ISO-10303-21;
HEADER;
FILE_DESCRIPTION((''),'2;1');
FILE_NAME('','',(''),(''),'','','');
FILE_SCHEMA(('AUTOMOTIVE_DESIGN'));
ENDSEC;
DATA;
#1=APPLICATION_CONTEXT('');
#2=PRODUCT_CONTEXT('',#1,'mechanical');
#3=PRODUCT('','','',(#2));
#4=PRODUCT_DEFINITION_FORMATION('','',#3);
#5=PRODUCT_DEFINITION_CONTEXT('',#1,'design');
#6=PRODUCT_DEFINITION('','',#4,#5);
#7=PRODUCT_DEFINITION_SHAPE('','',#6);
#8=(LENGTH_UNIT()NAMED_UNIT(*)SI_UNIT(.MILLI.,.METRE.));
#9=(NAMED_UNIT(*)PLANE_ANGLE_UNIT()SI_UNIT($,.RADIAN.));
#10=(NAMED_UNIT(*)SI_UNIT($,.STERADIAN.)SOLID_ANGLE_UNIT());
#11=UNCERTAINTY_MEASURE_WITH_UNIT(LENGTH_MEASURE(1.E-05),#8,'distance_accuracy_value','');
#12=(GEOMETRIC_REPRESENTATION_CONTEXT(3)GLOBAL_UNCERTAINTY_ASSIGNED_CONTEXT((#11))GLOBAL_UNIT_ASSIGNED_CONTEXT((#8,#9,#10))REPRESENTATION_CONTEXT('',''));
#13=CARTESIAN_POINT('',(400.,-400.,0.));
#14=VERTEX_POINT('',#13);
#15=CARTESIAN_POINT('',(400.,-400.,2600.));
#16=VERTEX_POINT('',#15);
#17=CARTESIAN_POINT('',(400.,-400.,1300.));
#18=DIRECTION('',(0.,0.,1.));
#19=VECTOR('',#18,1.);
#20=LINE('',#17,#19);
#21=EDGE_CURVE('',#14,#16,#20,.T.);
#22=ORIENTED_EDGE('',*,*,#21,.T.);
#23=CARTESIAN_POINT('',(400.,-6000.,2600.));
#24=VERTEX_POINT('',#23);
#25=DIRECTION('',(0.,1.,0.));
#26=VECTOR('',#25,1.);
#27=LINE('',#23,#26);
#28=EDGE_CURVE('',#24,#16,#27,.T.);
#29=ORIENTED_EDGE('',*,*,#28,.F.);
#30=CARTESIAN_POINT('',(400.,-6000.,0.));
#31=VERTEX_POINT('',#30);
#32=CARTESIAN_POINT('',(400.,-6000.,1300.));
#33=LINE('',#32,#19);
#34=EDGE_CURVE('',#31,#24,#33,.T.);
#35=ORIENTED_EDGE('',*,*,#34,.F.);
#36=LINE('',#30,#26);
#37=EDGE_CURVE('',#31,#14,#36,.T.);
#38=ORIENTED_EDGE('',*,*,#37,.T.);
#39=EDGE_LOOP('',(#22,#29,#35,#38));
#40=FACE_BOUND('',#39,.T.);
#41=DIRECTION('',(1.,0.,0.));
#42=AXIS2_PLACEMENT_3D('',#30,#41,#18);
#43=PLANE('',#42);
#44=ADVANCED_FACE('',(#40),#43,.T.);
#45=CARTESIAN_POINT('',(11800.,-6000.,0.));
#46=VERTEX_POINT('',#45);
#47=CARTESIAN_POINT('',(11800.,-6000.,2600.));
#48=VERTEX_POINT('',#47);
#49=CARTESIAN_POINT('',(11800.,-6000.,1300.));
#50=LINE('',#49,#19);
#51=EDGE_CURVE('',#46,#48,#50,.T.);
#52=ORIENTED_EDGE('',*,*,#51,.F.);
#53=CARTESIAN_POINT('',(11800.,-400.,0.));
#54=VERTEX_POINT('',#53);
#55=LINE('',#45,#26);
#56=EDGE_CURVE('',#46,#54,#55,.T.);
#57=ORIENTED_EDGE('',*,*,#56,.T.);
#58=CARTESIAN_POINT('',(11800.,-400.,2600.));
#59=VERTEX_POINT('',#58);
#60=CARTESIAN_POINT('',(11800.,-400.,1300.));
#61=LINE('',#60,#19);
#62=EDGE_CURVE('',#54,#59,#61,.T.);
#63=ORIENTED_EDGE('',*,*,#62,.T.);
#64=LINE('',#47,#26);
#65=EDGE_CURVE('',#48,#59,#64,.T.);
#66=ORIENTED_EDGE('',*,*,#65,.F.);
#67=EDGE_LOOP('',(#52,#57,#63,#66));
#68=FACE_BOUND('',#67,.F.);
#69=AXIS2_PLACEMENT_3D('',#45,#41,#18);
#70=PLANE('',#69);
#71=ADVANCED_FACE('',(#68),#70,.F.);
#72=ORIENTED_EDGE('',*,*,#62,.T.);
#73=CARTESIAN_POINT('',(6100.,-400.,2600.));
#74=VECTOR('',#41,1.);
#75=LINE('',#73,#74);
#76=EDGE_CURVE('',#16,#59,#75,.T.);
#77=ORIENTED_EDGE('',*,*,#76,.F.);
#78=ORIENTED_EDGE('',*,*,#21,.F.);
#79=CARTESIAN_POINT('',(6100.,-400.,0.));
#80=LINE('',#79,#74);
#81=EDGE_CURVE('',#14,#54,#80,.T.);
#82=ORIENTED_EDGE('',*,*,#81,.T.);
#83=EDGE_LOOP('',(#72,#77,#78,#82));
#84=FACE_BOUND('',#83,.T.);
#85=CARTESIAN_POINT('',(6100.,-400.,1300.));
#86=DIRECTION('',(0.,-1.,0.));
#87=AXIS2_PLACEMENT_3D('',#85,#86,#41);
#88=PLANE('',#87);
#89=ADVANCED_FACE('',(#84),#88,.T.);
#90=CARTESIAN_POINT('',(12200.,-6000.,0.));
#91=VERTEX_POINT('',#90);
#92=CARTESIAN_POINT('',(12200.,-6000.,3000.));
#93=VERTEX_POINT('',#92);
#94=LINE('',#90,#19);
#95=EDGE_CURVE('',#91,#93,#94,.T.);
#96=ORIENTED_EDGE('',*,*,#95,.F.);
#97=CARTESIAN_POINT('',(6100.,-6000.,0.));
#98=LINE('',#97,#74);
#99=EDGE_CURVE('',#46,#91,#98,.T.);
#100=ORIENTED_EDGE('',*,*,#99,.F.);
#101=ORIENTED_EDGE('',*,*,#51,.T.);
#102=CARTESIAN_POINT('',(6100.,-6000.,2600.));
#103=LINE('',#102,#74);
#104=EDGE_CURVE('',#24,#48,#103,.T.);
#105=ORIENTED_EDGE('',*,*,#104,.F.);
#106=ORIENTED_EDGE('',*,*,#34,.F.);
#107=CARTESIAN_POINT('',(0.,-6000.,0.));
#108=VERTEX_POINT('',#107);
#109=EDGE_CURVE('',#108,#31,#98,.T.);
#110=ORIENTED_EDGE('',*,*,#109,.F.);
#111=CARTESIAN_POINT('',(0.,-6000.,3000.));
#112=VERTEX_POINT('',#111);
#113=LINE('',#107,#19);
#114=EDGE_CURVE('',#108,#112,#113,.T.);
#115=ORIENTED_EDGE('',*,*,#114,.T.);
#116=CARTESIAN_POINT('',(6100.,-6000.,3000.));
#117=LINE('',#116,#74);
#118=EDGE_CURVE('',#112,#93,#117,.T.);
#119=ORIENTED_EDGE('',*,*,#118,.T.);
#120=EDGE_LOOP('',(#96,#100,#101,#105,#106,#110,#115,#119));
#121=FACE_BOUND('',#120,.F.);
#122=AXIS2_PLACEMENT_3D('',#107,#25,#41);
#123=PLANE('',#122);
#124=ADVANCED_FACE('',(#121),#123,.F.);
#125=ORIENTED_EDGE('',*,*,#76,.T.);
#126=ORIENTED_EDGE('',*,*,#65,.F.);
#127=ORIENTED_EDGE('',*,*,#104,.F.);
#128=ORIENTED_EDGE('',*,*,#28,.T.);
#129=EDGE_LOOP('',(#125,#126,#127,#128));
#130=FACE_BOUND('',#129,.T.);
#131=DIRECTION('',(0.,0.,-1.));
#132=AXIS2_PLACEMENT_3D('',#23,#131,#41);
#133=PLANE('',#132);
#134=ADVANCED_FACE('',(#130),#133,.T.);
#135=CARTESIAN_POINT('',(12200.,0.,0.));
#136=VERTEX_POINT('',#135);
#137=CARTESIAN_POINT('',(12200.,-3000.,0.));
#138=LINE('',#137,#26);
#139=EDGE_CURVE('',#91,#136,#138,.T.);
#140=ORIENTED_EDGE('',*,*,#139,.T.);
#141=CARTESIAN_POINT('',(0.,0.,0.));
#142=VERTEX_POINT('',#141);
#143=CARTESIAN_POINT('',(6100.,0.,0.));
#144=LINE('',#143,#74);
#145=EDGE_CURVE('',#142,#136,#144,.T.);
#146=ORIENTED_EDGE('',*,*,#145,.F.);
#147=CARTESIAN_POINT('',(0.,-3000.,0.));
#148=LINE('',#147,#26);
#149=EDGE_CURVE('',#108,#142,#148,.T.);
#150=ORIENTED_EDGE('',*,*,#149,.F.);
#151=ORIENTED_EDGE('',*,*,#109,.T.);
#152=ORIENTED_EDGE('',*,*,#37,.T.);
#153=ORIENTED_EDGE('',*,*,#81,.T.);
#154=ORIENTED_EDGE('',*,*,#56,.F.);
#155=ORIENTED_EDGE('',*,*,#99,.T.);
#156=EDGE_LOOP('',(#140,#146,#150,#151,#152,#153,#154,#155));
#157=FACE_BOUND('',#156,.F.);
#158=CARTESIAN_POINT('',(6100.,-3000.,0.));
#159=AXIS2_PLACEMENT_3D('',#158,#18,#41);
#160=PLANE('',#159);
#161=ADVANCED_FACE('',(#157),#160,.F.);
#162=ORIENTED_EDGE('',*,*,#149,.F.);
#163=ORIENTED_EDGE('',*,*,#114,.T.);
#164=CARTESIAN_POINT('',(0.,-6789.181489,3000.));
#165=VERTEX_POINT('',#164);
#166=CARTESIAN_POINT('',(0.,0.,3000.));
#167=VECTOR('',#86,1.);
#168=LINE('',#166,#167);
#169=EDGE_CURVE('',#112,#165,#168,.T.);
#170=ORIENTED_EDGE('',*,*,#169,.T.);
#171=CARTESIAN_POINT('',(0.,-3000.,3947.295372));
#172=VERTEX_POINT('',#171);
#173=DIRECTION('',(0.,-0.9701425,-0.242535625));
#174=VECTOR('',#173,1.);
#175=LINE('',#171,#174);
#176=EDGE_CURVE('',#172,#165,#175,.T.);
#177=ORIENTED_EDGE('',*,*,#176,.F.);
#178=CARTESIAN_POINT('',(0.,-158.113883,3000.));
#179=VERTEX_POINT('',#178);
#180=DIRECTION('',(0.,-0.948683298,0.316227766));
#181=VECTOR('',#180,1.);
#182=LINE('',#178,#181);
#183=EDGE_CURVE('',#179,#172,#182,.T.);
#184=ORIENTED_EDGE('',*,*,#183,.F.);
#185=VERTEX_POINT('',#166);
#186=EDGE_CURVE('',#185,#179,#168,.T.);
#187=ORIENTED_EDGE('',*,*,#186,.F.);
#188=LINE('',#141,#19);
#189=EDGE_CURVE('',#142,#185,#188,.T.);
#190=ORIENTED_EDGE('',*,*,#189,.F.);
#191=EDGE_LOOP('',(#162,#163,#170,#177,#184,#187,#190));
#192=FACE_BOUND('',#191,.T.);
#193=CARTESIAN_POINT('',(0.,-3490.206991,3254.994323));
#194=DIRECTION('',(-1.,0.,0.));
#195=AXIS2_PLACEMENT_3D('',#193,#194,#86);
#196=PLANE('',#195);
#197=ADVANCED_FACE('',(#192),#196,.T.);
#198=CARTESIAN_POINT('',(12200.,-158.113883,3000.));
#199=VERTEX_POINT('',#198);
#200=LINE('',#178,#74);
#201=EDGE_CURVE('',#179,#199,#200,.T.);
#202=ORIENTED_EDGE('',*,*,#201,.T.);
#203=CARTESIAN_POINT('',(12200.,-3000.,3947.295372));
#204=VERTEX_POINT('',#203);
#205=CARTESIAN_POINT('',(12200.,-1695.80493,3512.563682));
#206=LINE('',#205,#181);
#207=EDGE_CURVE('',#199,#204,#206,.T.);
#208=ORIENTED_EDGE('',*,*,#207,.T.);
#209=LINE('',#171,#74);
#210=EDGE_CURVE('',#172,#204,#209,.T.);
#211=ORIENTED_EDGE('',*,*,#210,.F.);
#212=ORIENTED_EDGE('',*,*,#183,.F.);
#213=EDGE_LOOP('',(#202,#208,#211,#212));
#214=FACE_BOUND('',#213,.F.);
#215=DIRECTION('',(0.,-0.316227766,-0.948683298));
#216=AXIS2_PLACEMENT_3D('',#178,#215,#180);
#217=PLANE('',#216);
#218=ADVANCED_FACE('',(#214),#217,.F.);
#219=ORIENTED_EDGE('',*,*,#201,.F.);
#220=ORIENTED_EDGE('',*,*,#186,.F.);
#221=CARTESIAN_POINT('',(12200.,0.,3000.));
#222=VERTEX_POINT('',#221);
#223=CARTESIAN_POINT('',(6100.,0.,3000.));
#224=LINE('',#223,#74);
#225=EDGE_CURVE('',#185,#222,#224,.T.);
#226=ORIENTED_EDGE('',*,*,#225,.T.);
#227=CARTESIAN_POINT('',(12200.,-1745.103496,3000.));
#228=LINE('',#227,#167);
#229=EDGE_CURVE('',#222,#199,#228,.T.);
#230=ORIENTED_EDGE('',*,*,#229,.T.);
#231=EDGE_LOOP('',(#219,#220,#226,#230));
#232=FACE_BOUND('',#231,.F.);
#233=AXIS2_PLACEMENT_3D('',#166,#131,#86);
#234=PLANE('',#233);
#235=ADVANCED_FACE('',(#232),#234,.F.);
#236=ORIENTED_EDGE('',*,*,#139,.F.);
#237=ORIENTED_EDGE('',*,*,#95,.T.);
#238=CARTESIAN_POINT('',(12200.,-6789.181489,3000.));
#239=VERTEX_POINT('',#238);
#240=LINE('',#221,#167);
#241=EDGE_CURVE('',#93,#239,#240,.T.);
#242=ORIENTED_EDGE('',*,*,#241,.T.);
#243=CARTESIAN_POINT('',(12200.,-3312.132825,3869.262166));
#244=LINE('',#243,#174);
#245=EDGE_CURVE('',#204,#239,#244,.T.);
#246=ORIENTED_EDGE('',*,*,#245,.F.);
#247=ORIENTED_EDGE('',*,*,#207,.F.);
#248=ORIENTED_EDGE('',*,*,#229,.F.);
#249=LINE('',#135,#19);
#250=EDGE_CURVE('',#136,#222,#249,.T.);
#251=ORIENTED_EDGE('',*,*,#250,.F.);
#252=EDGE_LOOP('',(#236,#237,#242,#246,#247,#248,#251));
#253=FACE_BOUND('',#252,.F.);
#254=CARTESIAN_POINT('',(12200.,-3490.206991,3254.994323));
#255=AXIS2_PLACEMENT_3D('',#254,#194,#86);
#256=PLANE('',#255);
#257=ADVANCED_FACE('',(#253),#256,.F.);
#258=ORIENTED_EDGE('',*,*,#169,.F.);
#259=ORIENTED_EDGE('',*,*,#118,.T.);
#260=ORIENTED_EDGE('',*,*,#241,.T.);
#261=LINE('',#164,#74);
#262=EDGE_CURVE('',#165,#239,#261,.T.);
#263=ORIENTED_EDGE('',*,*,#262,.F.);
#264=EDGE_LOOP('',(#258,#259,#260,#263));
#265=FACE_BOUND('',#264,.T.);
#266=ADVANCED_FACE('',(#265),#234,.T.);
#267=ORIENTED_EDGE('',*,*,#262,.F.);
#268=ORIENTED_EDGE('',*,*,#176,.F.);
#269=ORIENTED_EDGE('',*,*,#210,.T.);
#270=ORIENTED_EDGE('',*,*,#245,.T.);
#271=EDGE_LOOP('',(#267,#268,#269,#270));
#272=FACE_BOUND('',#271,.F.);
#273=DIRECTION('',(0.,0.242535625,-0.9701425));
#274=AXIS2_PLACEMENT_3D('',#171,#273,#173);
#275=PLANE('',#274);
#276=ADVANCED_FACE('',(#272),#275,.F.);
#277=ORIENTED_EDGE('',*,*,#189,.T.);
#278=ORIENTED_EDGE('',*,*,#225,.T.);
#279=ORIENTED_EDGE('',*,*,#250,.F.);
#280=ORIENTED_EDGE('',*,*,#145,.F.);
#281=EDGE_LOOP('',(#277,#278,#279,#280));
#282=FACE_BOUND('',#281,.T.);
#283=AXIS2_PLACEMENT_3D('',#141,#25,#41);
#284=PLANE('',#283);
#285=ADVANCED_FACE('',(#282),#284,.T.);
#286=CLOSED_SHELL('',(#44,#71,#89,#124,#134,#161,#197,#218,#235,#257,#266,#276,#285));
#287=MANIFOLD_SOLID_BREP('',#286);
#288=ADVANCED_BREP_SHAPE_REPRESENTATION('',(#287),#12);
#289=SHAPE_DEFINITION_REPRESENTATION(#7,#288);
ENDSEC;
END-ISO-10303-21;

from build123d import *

# Parameters (mm, degrees)
F0_W     = 12200
F0_H     = 6000
F1_DEPTH = 3000
F3_DEPTH = 12200
F4_W     = 11400
F4_H     = 2600
F5_DEPTH = 5600
F7_DEPTH = 18300


with BuildPart() as f1:
    # F0 (on Top) → F1 (new body)
    with BuildSketch(Plane.XY):
        with Locations((6100, -3000)):
            Rectangle(F0_W, F0_H)
    extrude(amount=F1_DEPTH)

    # F2 (on face) → F3 (join)
    with BuildSketch(Plane(origin=(0, 0, 0), x_dir=(0, -1, 0), z_dir=(-1, 0, 0))):
        Polygon((3000, 4000), (0, 3000), (7000, 3000), align=None)
    extrude(amount=-F3_DEPTH)

    # F4 (on face) → F5 (cut)
    with BuildSketch(Plane.XZ.offset(6000)):
        with Locations((6100, 1300)):
            Rectangle(F4_W, F4_H)
    extrude(amount=-F5_DEPTH, mode=Mode.SUBTRACT)

    # F6 (on face) → F7 (cut)
    with BuildSketch(Plane(origin=(0, 0, 0), x_dir=(0, -1, 0), z_dir=(-1, 0, 0))):
        Polygon((3000, 4000), (0, 3000), (158.113883, 3000), (3000, 3947.295372), (6789.181489, 3000), (7000, 3000), align=None)
    extrude(amount=-F7_DEPTH, mode=Mode.SUBTRACT)


solid = f1.part
